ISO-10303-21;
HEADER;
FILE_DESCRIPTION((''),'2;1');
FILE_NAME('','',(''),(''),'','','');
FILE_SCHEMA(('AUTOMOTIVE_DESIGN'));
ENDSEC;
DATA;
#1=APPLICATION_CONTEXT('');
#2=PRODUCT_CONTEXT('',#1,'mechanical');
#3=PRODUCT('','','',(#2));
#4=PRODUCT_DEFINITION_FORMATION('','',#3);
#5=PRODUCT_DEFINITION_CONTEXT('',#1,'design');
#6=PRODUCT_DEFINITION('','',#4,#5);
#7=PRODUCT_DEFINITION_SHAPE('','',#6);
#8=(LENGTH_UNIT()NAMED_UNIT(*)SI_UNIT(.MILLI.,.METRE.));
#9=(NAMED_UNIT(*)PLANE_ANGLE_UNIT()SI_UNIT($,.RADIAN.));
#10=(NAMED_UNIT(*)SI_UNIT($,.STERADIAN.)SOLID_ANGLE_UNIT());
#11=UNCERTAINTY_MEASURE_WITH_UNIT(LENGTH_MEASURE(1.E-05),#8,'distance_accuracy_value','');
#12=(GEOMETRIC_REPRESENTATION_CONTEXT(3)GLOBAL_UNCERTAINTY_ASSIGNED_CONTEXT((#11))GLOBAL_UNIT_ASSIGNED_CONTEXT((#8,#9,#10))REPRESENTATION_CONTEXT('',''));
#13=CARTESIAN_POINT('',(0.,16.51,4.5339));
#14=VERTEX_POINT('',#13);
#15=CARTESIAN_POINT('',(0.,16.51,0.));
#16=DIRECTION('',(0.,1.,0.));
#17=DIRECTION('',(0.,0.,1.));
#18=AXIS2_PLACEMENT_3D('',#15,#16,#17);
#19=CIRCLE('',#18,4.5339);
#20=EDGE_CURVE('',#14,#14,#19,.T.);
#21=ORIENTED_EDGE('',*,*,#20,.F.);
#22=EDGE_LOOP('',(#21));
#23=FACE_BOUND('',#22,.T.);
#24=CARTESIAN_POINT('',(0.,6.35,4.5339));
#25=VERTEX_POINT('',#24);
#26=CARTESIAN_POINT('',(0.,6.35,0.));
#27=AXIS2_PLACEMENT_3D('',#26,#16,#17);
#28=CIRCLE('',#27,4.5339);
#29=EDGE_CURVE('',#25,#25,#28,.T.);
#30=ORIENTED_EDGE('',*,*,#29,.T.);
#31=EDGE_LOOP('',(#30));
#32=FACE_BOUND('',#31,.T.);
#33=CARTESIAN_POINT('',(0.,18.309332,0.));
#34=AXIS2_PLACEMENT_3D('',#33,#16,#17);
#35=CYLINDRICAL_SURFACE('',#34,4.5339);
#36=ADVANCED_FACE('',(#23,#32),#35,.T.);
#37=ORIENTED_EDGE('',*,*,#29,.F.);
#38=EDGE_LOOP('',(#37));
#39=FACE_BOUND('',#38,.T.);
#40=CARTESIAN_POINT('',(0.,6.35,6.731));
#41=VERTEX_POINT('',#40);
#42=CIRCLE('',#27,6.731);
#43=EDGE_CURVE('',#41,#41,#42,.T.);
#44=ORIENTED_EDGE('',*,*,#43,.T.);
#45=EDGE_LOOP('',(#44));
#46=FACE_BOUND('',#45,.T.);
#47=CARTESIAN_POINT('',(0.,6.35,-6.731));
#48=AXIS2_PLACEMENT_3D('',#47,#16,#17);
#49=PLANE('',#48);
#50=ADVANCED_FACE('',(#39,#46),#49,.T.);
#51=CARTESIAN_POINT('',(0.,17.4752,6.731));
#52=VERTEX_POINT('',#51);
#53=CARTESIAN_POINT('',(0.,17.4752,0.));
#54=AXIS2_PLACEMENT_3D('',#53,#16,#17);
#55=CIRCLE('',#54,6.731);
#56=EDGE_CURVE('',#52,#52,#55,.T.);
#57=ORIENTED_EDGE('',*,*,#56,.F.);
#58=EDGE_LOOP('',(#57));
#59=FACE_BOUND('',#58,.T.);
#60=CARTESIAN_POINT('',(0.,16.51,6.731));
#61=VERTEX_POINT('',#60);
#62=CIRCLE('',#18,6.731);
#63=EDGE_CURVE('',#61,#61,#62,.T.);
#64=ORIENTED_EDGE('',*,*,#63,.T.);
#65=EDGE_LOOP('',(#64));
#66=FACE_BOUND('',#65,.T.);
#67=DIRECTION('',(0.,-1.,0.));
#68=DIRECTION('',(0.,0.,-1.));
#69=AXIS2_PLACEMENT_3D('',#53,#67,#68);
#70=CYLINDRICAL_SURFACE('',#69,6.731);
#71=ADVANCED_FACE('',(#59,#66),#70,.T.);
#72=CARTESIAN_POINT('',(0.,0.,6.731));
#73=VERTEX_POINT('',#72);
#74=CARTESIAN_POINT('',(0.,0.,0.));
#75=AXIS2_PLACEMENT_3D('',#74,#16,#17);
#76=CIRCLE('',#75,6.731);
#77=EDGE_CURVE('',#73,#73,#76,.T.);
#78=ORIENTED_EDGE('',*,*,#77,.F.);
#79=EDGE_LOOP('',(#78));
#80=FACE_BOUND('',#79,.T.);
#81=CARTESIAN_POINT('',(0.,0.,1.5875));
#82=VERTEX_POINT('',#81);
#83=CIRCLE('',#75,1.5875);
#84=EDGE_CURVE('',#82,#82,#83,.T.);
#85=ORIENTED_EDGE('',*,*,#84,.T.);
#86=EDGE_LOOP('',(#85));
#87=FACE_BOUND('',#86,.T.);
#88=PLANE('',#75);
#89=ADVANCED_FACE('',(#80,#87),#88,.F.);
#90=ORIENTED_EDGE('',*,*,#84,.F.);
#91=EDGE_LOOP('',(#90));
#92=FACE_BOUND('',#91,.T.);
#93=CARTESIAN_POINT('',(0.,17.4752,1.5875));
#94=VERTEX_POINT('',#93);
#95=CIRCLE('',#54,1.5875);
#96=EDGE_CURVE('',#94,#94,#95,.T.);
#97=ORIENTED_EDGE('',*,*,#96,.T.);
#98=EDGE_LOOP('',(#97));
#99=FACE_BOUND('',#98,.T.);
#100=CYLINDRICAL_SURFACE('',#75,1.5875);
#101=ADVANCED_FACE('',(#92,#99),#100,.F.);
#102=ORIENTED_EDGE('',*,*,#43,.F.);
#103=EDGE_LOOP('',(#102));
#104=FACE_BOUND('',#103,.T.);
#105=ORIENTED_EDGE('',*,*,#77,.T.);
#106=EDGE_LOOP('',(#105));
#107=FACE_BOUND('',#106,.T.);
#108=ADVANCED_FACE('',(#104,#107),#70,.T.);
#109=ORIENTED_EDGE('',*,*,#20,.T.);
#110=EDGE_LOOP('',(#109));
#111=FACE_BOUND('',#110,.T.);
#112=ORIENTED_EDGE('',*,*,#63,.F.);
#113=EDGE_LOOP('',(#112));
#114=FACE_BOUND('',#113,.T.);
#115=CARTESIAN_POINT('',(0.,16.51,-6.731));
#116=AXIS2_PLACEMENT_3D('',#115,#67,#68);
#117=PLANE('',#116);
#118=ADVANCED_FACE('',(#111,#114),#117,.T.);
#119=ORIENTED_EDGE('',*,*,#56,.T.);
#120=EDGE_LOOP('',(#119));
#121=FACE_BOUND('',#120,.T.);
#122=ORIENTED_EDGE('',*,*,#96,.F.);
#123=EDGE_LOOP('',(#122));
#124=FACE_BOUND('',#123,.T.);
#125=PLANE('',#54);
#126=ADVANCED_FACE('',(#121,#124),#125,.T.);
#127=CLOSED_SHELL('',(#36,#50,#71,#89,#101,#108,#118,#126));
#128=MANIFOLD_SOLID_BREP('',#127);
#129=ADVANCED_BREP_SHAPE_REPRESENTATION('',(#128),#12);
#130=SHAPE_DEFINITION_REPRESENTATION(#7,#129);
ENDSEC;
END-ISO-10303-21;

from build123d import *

# Parameters (mm, degrees)
SKETCH1_R           = 6.731
BOSS_EXTRUDE1_DEPTH = 17.4752
SKETCH2_W           = 2.1971
SKETCH2_H           = 10.16
SKETCH3_R           = 1.5875
CUT_EXTRUDE1_DEPTH  = 17.4752


with BuildPart() as part:
    # Sketch1 → Boss-Extrude1 (new body)
    with BuildSketch(Plane(origin=(0, 0, 0), x_dir=(1, 0, 0), z_dir=(0, 1, 0))):
        with Locations(Location((0, 0, 0), (0, 0, 270))):
            Circle(SKETCH1_R)
    extrude(amount=BOSS_EXTRUDE1_DEPTH)

    # Sketch2 → Cut-Revolve1 (revolve, cut)
    with BuildSketch(Plane(origin=(0, 0, 0), x_dir=(0, 0, -1), z_dir=(1, 0, 0)), mode=Mode.PRIVATE) as cut_revolve1_sk:
        with Locations((5.63245, 11.43)):
            Rectangle(SKETCH2_W, SKETCH2_H)
    revolve(cut_revolve1_sk.sketch.rotate(Axis((0, 18.309331677, 0), (0, -1, 0)), 180), axis=Axis((0, 18.309331677, 0), (0, -1, 0)), mode=Mode.SUBTRACT)

    # Sketch3 → Cut-Extrude1 (cut)
    with BuildSketch(Plane(origin=(0, 17.4752, 0), x_dir=(1, 0, 0), z_dir=(0, 1, 0))):
        with Locations(Location((0, 0, 0), (0, 0, 270))):
            Circle(SKETCH3_R)
    extrude(amount=-CUT_EXTRUDE1_DEPTH, mode=Mode.SUBTRACT)


solid = part.part
